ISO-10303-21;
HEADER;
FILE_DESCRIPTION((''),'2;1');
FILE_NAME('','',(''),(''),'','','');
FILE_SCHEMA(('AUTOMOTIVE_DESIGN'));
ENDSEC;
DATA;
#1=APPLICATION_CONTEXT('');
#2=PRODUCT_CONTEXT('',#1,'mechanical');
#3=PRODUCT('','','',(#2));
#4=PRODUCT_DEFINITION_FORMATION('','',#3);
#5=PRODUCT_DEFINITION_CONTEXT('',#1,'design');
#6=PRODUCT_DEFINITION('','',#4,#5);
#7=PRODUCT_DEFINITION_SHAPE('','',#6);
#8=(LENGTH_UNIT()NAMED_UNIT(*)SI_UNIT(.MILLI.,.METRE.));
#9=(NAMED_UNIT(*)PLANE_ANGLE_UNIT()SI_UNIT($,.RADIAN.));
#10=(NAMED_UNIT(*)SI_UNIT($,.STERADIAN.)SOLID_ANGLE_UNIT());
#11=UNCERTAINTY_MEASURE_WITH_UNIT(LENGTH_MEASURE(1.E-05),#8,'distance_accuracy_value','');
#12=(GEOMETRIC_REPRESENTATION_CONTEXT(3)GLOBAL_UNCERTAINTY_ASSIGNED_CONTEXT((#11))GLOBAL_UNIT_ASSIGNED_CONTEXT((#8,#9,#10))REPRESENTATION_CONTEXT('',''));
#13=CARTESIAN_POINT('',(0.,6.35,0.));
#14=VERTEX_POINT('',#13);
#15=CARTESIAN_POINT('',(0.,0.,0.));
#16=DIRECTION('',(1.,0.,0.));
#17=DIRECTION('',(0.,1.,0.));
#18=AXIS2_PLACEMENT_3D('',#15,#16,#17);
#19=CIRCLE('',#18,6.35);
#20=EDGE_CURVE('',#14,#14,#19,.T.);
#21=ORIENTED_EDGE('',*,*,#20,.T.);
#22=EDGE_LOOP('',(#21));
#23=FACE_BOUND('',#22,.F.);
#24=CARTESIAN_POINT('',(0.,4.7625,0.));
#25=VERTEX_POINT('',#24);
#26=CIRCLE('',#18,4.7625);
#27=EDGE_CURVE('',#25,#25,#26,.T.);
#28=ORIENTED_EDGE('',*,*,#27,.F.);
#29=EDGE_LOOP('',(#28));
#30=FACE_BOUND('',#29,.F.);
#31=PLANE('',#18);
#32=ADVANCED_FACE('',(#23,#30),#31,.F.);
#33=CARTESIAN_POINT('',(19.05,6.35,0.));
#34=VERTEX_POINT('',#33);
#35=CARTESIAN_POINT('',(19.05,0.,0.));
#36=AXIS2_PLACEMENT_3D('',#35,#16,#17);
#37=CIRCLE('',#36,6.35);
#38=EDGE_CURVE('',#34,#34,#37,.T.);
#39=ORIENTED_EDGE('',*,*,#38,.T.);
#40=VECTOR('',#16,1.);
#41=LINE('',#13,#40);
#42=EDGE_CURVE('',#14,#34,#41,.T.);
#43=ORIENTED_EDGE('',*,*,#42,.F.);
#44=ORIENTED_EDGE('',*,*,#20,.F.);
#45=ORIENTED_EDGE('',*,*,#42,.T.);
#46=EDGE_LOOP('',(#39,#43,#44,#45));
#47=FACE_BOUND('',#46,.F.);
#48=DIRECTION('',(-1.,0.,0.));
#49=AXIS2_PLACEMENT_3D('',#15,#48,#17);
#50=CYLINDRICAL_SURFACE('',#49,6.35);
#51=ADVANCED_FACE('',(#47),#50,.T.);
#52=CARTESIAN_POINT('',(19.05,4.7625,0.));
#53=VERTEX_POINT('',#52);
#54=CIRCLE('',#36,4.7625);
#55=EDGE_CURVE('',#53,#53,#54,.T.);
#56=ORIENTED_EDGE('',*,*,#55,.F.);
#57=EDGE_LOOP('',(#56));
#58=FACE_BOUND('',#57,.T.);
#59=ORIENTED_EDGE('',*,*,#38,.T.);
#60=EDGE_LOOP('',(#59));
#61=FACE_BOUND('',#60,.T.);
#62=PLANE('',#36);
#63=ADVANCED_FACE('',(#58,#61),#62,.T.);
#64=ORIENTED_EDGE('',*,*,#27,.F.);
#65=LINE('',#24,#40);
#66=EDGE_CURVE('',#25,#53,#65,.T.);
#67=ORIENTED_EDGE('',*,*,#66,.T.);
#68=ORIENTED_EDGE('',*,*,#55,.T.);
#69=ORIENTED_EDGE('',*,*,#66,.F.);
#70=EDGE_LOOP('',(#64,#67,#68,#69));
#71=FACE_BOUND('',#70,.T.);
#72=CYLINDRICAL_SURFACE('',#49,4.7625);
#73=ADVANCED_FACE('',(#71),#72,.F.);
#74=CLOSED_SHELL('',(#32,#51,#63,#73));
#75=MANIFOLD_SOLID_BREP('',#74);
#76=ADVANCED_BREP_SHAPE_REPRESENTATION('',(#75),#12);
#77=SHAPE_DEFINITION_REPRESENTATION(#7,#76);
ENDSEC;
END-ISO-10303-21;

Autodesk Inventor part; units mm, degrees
ref_plane "YZ Plane" through (0, 0, 0) normal (1, 0, 0) x (0, 1, 0)
ref_plane "XZ Plane" through (0, 0, 0) normal (0, 1, 0) x (-1, 0, 0)
ref_plane "XY Plane" through (0, 0, 0) normal (0, 0, 1) x (1, 0, 0)
sketch "Sketch1" plane through (0, 0, 0) normal (1, 0, 0) x (0, 1, 0)
  circle A0 centre (0, 0) radius 4.7625
  circle A1 centre (0, 0) radius 6.35
  dimension "d0" = 9.525
  dimension "d1" = 12.7
extrude "Extrusion1" add sketch "Sketch1" along normal blind 19.05
properties part number "spacer" material "Steel, Alloy"
